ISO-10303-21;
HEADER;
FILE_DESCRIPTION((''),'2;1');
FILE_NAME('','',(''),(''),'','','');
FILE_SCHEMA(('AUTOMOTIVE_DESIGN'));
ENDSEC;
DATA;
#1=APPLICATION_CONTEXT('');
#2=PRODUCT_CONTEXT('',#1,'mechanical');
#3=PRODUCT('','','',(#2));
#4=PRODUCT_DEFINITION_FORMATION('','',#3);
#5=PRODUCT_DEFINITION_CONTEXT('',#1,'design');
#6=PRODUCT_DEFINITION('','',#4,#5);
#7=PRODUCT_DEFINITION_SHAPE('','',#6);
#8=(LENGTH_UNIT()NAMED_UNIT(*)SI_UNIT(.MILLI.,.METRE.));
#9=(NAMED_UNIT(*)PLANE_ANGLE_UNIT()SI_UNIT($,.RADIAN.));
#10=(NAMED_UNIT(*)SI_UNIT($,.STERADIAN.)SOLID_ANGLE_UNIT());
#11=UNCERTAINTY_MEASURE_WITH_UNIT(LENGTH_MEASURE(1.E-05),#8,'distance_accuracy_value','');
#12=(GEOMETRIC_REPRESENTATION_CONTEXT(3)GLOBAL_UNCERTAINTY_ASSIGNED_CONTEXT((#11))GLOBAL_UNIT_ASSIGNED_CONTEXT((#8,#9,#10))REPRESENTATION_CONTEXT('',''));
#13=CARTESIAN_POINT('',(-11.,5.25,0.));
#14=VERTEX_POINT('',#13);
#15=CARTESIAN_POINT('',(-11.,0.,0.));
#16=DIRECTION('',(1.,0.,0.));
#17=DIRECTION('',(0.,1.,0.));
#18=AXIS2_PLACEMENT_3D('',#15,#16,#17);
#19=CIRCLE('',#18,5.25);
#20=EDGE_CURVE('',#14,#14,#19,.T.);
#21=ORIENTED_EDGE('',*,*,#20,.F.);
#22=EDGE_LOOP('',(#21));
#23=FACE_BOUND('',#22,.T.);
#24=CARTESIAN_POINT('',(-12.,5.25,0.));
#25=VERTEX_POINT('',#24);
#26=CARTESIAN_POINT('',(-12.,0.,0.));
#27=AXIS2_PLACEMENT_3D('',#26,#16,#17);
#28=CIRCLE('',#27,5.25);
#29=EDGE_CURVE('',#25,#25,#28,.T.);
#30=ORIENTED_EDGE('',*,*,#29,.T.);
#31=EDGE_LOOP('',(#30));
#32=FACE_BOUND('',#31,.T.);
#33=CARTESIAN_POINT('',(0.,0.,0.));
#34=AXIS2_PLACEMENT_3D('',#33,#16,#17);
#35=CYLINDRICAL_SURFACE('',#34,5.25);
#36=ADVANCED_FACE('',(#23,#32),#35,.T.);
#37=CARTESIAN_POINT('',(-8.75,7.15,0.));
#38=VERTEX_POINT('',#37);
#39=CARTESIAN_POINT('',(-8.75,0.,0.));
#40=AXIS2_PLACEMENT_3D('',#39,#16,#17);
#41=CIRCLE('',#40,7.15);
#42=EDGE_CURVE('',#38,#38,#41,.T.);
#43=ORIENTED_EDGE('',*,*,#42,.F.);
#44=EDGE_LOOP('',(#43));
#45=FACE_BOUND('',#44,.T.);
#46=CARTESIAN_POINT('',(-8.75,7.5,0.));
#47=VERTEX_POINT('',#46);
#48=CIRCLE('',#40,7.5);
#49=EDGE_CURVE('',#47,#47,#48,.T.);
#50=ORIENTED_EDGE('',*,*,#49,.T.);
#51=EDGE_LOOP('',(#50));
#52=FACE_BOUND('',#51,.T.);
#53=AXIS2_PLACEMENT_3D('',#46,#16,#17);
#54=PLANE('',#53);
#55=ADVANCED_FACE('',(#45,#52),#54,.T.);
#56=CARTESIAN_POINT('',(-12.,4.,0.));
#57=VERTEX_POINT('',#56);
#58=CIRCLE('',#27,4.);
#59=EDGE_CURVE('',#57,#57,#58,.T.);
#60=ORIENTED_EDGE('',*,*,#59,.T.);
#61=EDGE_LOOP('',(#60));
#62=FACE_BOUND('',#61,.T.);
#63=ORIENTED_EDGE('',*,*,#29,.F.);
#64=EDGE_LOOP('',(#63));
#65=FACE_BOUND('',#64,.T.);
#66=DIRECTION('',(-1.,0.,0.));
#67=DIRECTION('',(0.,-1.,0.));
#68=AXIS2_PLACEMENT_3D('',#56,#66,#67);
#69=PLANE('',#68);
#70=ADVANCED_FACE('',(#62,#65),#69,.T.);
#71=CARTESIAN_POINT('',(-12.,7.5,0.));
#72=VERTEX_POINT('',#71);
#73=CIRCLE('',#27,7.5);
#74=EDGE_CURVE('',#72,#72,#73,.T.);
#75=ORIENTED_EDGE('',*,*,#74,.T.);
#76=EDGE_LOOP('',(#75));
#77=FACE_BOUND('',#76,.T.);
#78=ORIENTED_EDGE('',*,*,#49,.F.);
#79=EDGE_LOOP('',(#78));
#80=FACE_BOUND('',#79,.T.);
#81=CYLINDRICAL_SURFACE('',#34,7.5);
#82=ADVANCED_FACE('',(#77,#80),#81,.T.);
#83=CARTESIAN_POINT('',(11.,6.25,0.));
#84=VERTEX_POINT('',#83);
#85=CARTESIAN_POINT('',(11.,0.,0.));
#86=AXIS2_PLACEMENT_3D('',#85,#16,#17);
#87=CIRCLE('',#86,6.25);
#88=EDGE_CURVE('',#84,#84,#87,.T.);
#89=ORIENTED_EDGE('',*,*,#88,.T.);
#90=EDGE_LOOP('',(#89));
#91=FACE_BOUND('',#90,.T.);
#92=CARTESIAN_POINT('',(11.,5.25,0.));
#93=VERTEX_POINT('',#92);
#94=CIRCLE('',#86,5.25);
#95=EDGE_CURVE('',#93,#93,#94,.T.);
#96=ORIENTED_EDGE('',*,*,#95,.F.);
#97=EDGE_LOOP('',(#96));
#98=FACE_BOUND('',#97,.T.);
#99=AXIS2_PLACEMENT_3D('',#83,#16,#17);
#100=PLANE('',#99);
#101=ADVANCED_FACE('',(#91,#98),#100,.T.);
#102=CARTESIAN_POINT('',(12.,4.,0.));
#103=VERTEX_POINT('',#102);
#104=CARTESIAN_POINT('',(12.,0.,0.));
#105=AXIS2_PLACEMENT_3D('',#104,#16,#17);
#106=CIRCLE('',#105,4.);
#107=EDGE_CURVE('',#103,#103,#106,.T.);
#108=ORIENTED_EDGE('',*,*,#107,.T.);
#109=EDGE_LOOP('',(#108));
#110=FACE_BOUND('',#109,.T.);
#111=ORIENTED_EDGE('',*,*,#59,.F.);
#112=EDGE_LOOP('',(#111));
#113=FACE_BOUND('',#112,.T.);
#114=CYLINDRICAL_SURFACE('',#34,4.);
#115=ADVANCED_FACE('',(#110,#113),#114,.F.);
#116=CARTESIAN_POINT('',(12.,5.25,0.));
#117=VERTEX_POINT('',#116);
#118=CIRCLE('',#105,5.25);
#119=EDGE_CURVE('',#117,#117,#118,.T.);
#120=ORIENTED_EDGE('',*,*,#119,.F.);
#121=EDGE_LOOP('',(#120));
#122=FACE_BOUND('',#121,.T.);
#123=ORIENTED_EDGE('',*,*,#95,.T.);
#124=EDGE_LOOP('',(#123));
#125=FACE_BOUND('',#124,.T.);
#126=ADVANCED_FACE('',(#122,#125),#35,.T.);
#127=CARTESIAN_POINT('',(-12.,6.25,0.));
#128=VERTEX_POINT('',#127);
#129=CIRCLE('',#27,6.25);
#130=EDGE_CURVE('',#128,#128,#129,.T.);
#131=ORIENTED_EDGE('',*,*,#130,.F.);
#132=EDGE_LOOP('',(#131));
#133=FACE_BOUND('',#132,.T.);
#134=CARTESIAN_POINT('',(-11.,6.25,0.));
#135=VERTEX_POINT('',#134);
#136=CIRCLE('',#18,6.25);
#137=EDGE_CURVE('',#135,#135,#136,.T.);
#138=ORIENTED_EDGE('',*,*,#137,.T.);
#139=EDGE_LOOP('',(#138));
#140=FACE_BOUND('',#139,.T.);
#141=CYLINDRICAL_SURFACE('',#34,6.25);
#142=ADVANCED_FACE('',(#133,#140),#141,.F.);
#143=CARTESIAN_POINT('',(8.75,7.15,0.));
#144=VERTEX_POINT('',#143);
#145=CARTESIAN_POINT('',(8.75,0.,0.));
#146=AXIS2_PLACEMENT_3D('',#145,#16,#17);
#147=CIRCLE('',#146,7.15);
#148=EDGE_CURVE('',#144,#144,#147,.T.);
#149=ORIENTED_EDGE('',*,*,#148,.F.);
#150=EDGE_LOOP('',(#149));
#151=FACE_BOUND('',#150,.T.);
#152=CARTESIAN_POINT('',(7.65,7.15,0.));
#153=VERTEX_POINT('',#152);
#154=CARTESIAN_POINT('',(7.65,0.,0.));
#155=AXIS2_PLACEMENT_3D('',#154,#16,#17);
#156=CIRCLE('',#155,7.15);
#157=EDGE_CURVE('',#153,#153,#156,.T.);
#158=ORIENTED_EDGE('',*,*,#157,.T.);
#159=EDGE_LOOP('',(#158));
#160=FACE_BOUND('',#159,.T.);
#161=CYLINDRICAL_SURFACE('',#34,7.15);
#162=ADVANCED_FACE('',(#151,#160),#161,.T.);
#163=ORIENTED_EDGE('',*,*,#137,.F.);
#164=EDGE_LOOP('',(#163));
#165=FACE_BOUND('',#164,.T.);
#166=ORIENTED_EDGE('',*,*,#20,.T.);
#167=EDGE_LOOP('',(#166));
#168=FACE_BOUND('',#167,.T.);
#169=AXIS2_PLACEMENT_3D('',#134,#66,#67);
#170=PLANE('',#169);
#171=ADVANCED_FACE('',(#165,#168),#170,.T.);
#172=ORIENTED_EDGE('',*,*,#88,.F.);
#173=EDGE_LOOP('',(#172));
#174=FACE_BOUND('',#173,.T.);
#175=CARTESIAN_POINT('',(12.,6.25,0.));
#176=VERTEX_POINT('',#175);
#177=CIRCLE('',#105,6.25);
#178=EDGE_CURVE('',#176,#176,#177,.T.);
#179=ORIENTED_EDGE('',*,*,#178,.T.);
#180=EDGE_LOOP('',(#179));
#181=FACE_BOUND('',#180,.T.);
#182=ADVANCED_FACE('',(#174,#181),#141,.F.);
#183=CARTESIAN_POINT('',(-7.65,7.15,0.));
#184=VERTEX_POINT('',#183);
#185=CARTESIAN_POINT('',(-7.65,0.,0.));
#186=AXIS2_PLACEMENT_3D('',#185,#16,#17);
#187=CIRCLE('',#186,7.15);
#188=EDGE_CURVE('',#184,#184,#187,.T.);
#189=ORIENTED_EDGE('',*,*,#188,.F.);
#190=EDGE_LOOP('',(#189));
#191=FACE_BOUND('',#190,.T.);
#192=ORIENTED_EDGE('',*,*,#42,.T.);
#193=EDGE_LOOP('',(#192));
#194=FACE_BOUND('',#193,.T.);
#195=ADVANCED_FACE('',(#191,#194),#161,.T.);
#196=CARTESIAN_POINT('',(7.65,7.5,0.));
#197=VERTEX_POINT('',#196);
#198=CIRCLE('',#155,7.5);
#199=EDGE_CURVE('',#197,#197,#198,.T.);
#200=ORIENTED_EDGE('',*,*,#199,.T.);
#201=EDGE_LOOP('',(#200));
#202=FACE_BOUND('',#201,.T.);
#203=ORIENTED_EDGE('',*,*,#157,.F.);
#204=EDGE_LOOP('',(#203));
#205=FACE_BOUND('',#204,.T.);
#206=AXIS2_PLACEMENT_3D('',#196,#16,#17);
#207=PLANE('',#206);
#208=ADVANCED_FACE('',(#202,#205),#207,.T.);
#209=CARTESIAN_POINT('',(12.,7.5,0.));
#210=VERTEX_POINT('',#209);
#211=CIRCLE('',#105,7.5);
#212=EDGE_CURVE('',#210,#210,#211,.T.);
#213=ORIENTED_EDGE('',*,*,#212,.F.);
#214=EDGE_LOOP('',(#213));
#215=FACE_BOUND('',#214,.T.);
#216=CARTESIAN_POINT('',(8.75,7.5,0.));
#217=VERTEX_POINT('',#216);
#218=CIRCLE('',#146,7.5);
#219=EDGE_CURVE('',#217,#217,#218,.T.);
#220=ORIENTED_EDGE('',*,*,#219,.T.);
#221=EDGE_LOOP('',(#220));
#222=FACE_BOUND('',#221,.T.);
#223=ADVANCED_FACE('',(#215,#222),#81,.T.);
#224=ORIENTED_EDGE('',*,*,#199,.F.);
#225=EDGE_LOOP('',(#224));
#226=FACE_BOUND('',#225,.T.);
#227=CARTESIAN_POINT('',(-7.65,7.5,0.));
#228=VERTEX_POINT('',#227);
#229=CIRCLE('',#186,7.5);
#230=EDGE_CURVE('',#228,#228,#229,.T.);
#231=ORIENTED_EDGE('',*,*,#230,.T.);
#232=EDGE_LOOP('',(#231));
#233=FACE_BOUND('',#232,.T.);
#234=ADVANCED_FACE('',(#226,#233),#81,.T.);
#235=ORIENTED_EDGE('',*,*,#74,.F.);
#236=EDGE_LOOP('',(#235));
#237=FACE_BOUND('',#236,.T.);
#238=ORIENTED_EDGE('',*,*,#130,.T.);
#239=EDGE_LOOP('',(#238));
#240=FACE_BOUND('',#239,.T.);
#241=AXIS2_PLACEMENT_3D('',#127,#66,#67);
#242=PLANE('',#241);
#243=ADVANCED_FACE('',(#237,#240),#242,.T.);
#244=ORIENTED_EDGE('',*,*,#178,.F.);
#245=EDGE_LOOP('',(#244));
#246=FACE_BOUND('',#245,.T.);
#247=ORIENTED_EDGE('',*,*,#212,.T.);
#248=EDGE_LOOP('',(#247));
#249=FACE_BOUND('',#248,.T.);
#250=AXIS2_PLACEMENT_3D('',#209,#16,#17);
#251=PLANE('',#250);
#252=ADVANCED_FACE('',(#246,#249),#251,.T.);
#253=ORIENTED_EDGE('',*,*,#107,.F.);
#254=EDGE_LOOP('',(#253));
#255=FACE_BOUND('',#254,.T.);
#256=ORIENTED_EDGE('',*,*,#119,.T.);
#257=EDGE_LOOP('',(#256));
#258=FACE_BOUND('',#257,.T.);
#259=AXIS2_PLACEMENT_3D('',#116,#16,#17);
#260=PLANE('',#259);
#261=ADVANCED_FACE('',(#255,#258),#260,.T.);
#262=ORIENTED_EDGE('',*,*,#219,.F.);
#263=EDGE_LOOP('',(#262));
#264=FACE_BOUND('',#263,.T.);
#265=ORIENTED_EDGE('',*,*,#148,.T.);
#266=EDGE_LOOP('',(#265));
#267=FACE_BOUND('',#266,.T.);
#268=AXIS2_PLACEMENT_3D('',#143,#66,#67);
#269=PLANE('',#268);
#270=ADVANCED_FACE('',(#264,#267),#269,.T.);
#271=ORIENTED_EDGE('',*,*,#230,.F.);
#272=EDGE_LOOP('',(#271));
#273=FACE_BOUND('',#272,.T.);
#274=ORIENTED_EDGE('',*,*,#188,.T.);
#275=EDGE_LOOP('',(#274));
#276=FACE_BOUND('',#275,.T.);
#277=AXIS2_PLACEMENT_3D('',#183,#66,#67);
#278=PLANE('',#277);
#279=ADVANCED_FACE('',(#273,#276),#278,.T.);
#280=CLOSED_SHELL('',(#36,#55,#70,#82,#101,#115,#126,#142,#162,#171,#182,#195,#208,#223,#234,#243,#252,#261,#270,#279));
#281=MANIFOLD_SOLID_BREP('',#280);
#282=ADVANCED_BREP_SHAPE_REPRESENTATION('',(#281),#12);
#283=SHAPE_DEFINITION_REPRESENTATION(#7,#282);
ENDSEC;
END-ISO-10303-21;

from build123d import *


with BuildPart() as part:
    # Esboço1 → Revolução1 (revolve)
    with BuildSketch(Plane.XY):
        Polygon((-12, 7.5), (-8.75, 7.5), (-8.75, 7.15), (-7.65, 7.15), (-7.65, 7.5), (7.65, 7.5), (7.65, 7.15), (8.75, 7.15), (8.75, 7.5), (12, 7.5), (12, 6.25), (11, 6.25), (11, 5.25), (12, 5.25), (12, 4), (-12, 4), (-12, 5.25), (-11, 5.25), (-11, 6.25), (-12, 6.25), align=None)
    revolve(axis=Axis((0, 0, 0), (-1, 0, 0)))


solid = part.part
